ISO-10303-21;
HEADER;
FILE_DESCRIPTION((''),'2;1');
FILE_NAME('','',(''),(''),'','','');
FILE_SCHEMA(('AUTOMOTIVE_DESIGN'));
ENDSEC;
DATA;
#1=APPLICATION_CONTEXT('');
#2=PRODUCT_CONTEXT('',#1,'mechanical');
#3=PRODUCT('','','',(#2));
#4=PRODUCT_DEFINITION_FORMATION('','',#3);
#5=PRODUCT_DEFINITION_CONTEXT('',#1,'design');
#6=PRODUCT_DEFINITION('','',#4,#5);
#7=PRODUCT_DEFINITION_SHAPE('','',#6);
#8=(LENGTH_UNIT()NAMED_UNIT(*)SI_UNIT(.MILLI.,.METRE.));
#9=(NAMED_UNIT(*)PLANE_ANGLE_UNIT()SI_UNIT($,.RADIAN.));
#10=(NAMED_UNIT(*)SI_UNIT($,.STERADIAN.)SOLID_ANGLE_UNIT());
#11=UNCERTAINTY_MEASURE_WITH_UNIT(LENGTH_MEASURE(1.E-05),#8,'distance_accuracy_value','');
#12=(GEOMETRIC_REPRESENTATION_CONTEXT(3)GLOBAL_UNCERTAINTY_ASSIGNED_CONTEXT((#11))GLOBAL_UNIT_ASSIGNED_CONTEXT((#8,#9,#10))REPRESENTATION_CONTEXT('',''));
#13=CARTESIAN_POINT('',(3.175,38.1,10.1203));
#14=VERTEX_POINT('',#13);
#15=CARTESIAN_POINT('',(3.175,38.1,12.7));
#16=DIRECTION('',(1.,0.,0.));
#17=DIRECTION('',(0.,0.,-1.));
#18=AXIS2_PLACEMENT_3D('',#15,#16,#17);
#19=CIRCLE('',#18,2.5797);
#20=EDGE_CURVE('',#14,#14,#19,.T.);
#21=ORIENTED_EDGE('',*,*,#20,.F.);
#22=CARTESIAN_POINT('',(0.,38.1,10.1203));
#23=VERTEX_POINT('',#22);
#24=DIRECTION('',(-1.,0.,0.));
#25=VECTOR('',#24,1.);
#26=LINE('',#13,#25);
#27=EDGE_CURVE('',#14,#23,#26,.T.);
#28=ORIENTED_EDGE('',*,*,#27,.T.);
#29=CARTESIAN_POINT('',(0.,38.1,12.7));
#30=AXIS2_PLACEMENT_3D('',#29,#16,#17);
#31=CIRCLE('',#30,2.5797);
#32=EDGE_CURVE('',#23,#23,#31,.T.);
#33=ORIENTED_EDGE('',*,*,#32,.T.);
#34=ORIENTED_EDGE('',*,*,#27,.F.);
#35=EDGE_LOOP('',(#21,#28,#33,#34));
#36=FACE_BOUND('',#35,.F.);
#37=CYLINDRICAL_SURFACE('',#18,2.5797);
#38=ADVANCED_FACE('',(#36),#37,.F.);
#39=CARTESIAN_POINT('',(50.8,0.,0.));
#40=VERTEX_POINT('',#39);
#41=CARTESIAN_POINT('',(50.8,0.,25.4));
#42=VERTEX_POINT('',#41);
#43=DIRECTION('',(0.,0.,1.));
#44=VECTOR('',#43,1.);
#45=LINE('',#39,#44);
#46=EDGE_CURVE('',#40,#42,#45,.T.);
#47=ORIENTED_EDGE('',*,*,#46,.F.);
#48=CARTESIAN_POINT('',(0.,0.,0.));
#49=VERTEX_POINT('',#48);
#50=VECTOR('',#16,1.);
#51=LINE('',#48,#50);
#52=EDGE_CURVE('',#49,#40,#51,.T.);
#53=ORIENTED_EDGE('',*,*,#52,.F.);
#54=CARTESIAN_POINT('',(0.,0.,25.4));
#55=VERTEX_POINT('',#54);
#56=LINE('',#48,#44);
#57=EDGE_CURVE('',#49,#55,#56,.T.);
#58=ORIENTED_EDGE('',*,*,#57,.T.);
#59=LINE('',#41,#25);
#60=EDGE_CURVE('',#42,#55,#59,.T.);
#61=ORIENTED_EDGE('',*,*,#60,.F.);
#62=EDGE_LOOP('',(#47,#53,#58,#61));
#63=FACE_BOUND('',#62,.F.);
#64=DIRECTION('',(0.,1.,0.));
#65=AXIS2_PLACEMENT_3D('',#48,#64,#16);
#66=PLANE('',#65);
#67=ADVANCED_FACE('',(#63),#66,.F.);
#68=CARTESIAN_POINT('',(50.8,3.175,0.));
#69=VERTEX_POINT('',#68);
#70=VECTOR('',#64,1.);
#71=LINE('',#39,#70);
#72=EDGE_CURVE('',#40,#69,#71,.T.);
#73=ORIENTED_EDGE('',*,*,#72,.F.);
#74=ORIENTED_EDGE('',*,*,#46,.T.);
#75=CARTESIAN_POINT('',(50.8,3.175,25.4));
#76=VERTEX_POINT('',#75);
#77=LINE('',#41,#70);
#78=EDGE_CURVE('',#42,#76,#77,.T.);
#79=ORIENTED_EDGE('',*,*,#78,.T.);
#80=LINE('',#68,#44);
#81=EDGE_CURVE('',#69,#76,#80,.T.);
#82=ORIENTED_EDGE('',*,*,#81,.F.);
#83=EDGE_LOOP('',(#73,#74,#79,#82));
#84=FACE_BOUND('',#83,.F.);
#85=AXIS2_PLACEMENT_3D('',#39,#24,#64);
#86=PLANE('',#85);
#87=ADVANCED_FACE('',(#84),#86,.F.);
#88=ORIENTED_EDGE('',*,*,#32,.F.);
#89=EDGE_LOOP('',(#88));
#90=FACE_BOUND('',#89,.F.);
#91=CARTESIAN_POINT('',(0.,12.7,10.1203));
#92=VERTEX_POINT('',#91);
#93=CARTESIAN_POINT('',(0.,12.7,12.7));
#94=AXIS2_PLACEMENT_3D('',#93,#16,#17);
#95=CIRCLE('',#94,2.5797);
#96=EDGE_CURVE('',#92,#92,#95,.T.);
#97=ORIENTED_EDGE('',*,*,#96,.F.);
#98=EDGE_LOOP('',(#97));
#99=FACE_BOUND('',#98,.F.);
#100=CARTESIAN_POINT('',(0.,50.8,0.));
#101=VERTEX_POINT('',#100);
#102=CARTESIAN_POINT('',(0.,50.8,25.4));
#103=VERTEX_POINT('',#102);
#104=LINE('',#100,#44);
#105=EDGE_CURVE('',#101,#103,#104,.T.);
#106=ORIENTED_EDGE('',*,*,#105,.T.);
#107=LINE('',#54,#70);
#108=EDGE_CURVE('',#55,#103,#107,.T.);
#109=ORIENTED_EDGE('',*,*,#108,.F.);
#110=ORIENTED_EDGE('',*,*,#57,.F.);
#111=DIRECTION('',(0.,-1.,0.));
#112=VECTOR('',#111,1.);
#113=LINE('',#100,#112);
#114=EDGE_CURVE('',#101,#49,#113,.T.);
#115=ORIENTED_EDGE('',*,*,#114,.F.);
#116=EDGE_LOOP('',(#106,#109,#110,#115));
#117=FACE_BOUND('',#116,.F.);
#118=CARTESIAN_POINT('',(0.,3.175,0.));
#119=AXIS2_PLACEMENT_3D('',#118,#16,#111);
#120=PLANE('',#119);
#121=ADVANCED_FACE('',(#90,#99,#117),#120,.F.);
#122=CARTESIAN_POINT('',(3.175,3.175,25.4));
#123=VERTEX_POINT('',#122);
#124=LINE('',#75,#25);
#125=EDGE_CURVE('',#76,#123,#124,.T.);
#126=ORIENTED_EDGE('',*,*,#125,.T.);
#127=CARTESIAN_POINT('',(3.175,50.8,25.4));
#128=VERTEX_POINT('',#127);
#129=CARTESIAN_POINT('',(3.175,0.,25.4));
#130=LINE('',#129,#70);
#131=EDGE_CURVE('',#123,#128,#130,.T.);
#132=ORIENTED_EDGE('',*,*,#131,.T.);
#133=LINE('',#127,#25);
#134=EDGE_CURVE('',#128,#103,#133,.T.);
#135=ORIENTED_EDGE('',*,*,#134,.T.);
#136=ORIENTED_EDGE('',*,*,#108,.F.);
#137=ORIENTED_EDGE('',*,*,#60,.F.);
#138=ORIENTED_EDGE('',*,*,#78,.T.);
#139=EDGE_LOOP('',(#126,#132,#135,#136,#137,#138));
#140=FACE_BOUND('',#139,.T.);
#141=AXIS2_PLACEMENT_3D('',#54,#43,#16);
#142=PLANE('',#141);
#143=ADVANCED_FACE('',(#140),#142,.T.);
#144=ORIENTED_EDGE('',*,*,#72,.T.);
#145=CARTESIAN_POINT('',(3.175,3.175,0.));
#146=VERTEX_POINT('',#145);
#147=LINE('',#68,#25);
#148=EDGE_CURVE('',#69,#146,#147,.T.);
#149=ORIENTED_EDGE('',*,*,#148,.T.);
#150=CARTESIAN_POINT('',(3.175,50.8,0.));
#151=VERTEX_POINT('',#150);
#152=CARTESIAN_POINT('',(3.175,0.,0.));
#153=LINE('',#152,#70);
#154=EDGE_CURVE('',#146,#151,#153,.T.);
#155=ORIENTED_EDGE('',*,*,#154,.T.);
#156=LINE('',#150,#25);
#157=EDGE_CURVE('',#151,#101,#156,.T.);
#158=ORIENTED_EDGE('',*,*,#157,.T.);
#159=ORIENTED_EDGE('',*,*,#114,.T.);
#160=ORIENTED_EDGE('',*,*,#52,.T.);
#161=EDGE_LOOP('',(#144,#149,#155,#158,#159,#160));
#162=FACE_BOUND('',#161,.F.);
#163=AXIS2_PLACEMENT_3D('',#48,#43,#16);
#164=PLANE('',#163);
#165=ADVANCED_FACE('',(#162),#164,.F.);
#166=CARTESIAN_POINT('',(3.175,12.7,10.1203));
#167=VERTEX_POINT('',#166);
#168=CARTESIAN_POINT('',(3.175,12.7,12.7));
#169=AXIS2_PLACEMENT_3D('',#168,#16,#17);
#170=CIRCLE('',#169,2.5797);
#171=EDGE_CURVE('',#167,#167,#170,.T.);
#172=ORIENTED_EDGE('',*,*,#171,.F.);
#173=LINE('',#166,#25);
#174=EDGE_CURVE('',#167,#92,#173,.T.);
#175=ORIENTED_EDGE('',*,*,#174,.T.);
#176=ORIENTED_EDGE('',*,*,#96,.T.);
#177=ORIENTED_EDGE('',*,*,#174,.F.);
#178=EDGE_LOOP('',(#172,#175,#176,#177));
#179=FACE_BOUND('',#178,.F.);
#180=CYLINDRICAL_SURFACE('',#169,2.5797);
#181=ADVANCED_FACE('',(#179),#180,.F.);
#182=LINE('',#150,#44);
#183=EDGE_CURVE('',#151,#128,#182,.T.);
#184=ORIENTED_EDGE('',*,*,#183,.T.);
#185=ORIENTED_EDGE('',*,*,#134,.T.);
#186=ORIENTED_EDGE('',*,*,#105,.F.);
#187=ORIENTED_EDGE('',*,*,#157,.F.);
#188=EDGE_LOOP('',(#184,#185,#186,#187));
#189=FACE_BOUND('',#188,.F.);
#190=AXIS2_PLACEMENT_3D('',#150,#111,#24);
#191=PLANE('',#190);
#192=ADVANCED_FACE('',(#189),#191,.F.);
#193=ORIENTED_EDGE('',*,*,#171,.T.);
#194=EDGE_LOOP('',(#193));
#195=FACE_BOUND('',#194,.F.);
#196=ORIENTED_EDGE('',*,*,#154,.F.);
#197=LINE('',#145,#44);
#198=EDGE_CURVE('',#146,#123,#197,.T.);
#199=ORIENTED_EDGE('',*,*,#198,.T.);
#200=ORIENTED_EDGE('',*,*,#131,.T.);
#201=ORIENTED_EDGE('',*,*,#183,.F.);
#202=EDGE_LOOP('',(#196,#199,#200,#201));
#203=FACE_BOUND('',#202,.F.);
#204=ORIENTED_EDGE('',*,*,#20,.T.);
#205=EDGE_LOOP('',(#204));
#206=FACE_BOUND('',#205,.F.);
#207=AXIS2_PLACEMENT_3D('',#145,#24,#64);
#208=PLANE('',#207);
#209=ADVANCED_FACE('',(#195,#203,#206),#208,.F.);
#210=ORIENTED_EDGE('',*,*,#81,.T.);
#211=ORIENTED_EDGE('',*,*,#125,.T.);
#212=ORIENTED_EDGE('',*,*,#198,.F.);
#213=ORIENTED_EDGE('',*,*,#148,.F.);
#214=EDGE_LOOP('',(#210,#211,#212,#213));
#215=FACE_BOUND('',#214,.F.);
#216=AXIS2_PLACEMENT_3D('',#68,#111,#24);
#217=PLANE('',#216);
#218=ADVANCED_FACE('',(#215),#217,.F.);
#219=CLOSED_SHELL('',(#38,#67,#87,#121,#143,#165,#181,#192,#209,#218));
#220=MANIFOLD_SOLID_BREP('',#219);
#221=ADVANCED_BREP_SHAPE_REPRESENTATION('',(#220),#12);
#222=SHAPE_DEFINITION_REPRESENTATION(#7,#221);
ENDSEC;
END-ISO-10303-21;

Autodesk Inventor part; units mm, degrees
ref_plane "YZ Plane" through (0, 0, 0) normal (1, 0, 0) x (0, 1, 0)
ref_plane "XZ Plane" through (0, 0, 0) normal (0, 1, 0) x (-1, 0, 0)
ref_plane "XY Plane" through (0, 0, 0) normal (0, 0, 1) x (1, 0, 0)
sketch "Sketch1" plane through (0, 0, 0) normal (0, 0, 1) x (1, 0, 0)
  line L0 (0, 0) -> (3.175, 0)
  line L1 (3.175, 0) -> (3.175, 50.8)
  line L2 (3.175, 50.8) -> (0, 50.8)
  line L3 (0, 50.8) -> (0, 0)
  line L4 (0, 0) -> (50.8, 0)
  line L5 (50.8, 0) -> (50.8, 3.175)
  line L6 (50.8, 3.175) -> (0, 3.175)
  line L7 (0, 3.175) -> (0, 0)
  dimension "d0" = 3.175
  dimension "d1" = 50.8
  dimension "d2" = 50.8
  dimension "d3" = 3.175
extrude "Extrusion1" add sketch "Sketch1" along normal blind 25.4
sketch "Sketch2" plane through (3.175, 3.175, 0) normal (1, 0, 0) x (0, 0, -1)
  line L0 (0, 47.625) -> (-25.4, 47.625) construction
  line L1 (-12.7, 47.625) -> (-12.7, 34.925) construction
  line L2 (-12.7, 34.925) -> (-12.7, 9.525) construction
  circle A0 centre (-12.7, 34.925) radius 2.5797
  circle A1 centre (-12.7, 9.525) radius 2.5797
  point P0 (0, -3.175)
  dimension "d6" = 12.7
  dimension "d7" = 25.4
  dimension "d8" = 5.1594
extrude "Extrusion2" cut sketch "Sketch2" against normal blind 25.4
properties part number "2x2 L"
